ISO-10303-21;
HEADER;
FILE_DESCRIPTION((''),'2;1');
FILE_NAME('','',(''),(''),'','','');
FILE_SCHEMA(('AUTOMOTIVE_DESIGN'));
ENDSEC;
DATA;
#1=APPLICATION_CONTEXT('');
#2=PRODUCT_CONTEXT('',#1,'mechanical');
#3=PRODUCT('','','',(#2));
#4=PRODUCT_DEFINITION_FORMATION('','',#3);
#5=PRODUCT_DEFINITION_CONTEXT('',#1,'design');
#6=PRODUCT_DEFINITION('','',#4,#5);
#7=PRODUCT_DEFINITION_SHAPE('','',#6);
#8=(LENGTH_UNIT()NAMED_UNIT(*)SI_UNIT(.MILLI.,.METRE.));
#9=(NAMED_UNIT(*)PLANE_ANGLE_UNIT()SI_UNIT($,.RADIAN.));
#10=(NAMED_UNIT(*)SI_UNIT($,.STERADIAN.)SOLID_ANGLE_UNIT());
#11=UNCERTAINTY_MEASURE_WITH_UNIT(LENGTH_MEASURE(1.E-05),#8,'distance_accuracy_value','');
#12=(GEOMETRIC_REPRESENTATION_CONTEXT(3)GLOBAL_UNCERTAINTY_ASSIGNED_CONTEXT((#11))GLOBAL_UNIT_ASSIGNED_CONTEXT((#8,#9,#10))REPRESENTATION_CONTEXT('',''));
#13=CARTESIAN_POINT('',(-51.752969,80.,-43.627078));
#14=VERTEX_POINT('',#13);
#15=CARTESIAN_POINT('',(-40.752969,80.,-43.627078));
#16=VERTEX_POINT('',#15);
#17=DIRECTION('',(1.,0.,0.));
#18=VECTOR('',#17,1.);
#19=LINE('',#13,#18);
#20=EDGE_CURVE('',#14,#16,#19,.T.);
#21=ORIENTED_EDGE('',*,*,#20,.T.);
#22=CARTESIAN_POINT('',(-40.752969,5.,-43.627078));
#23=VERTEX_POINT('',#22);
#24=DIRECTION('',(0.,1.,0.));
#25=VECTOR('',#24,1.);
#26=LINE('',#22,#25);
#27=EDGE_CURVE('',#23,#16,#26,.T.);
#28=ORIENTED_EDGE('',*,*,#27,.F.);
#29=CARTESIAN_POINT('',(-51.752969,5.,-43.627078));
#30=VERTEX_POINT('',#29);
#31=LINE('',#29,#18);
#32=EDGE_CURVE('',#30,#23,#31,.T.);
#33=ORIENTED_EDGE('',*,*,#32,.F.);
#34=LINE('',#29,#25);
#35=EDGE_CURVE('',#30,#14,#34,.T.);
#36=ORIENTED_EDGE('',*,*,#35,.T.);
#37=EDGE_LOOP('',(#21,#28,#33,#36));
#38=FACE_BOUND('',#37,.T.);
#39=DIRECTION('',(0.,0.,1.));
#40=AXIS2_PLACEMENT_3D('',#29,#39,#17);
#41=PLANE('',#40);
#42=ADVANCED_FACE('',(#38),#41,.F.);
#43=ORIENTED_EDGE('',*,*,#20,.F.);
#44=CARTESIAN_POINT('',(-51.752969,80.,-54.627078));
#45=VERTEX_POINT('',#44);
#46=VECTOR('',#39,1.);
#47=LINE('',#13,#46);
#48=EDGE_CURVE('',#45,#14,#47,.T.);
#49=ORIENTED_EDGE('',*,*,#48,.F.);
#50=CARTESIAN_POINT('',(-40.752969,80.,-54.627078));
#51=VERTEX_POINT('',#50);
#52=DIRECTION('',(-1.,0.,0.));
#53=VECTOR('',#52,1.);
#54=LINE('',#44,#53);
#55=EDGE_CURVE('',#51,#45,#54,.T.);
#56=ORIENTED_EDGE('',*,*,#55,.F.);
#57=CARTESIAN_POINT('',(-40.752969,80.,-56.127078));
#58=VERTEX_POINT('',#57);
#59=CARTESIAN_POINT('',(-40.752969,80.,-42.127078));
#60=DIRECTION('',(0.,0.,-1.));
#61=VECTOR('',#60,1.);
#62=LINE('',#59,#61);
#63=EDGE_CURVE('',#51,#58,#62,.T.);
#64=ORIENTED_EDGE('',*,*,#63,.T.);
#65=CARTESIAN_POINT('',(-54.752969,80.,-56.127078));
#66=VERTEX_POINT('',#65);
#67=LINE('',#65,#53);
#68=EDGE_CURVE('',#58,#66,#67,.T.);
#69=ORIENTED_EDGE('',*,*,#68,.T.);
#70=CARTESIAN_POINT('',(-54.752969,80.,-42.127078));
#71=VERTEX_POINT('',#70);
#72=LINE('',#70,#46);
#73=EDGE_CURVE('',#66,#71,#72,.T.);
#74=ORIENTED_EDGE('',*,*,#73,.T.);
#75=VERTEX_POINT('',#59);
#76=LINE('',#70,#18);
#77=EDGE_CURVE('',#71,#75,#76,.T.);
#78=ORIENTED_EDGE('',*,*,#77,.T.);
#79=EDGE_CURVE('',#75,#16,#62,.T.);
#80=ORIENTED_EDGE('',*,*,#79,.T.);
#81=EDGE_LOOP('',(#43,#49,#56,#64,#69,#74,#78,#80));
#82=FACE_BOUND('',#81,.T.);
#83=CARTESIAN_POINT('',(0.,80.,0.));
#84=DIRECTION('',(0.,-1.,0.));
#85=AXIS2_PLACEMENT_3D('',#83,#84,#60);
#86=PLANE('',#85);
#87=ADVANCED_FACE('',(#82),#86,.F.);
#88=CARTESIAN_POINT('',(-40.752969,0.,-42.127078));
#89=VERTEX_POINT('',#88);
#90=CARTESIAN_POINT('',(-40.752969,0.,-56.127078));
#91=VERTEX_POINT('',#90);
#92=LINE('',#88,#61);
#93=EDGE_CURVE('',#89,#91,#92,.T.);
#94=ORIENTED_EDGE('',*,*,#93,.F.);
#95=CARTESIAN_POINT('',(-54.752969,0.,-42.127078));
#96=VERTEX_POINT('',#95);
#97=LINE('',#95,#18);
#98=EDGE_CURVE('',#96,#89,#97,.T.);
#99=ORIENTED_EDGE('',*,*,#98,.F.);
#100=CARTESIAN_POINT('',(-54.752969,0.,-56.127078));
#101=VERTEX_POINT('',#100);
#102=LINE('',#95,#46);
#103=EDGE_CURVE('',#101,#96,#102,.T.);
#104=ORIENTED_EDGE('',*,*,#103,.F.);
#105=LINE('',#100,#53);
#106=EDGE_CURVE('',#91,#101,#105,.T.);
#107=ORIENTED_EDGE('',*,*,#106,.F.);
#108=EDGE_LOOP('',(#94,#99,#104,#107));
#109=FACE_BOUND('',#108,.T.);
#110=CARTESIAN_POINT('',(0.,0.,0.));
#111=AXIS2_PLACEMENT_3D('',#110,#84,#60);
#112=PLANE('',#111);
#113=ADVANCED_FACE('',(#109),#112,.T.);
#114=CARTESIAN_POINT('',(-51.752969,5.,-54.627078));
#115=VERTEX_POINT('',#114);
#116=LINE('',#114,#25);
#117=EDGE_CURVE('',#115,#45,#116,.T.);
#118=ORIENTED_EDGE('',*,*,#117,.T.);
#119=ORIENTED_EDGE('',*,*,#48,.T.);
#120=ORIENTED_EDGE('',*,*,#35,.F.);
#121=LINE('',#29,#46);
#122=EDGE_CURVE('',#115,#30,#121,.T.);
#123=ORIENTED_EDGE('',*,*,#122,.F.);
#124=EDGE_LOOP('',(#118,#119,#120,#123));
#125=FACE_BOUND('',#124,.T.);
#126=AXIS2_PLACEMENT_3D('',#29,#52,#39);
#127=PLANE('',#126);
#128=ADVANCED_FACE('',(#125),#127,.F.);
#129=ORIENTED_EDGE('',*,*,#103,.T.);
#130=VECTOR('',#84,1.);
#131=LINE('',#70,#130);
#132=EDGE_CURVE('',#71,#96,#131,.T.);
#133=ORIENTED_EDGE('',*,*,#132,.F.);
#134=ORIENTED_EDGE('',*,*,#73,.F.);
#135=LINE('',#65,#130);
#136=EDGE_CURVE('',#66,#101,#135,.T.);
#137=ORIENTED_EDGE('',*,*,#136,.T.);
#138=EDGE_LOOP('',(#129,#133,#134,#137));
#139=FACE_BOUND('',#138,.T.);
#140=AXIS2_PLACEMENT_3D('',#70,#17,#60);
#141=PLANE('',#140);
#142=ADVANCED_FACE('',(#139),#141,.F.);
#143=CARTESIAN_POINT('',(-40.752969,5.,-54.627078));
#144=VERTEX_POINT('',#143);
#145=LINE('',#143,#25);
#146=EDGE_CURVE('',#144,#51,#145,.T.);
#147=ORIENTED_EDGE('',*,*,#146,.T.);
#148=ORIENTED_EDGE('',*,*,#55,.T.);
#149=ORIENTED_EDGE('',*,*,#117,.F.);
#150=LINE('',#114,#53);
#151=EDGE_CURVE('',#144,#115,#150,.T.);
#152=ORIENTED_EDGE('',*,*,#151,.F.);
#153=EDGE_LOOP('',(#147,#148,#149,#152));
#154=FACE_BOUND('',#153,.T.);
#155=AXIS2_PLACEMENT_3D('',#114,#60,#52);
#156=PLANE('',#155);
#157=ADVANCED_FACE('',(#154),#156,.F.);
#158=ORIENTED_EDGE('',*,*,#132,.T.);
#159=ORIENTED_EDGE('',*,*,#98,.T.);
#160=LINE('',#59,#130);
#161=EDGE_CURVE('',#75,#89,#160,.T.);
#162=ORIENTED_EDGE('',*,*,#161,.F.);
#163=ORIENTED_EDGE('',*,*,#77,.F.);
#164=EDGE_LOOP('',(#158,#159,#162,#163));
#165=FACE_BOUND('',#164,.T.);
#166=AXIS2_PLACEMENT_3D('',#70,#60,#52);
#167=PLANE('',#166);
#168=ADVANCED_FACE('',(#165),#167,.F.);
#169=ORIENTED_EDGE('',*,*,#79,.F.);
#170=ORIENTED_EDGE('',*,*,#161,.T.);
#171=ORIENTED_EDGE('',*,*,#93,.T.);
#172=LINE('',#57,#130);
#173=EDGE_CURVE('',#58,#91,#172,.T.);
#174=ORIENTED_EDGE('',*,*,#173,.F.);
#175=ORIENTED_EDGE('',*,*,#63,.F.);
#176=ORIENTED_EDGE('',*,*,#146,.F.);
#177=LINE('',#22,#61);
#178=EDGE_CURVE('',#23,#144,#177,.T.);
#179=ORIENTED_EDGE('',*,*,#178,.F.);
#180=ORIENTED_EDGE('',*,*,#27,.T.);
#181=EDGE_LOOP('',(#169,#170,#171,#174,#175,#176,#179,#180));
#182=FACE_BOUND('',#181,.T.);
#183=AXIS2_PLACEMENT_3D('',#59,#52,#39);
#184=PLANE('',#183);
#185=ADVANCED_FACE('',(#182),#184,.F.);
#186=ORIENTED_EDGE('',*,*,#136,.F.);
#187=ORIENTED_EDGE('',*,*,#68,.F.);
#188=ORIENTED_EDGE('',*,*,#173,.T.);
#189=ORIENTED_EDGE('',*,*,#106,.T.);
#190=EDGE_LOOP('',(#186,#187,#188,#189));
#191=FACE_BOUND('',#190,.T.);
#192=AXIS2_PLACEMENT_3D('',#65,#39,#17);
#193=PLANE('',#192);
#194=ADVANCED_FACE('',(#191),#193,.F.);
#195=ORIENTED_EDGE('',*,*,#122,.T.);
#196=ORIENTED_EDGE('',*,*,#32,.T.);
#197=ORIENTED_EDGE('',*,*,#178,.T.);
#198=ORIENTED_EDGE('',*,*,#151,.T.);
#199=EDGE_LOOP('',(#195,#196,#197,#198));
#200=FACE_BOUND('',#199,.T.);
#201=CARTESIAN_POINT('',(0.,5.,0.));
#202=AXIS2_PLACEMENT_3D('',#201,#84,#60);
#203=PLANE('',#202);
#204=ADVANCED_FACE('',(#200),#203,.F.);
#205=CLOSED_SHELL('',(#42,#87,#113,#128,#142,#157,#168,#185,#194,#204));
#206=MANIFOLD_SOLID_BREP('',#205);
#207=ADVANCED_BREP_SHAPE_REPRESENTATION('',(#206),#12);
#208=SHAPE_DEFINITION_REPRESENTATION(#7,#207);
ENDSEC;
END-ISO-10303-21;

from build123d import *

# Parameters (mm, degrees)
ESQUISSE1_W             = 14
ESQUISSE1_H             = 14
BOSS_EXTRU_1_DEPTH      = 80
ESQUISSE2_W             = 11
ESQUISSE2_H             = 11
ENL_V_MAT_EXTRU_1_DEPTH = 75


with BuildPart() as part:
    # Esquisse1 → Boss.-Extru.1 (new body)
    with BuildSketch(Plane(origin=(0, 0, 0), x_dir=(1, 0, 0), z_dir=(0, 1, 0))):
        with Locations((-47.752969121, 49.127078385)):
            Rectangle(ESQUISSE1_W, ESQUISSE1_H)
    extrude(amount=BOSS_EXTRU_1_DEPTH)

    # Esquisse2 → Enlèv. mat.-Extru.1 (cut)
    with BuildSketch(Plane(origin=(0, 80, 0), x_dir=(1, 0, 0), z_dir=(0, 1, 0))):
        with Locations((-46.252969121, 49.127078385)):
            Rectangle(ESQUISSE2_W, ESQUISSE2_H)
    extrude(amount=-ENL_V_MAT_EXTRU_1_DEPTH, mode=Mode.SUBTRACT)


solid = part.part
